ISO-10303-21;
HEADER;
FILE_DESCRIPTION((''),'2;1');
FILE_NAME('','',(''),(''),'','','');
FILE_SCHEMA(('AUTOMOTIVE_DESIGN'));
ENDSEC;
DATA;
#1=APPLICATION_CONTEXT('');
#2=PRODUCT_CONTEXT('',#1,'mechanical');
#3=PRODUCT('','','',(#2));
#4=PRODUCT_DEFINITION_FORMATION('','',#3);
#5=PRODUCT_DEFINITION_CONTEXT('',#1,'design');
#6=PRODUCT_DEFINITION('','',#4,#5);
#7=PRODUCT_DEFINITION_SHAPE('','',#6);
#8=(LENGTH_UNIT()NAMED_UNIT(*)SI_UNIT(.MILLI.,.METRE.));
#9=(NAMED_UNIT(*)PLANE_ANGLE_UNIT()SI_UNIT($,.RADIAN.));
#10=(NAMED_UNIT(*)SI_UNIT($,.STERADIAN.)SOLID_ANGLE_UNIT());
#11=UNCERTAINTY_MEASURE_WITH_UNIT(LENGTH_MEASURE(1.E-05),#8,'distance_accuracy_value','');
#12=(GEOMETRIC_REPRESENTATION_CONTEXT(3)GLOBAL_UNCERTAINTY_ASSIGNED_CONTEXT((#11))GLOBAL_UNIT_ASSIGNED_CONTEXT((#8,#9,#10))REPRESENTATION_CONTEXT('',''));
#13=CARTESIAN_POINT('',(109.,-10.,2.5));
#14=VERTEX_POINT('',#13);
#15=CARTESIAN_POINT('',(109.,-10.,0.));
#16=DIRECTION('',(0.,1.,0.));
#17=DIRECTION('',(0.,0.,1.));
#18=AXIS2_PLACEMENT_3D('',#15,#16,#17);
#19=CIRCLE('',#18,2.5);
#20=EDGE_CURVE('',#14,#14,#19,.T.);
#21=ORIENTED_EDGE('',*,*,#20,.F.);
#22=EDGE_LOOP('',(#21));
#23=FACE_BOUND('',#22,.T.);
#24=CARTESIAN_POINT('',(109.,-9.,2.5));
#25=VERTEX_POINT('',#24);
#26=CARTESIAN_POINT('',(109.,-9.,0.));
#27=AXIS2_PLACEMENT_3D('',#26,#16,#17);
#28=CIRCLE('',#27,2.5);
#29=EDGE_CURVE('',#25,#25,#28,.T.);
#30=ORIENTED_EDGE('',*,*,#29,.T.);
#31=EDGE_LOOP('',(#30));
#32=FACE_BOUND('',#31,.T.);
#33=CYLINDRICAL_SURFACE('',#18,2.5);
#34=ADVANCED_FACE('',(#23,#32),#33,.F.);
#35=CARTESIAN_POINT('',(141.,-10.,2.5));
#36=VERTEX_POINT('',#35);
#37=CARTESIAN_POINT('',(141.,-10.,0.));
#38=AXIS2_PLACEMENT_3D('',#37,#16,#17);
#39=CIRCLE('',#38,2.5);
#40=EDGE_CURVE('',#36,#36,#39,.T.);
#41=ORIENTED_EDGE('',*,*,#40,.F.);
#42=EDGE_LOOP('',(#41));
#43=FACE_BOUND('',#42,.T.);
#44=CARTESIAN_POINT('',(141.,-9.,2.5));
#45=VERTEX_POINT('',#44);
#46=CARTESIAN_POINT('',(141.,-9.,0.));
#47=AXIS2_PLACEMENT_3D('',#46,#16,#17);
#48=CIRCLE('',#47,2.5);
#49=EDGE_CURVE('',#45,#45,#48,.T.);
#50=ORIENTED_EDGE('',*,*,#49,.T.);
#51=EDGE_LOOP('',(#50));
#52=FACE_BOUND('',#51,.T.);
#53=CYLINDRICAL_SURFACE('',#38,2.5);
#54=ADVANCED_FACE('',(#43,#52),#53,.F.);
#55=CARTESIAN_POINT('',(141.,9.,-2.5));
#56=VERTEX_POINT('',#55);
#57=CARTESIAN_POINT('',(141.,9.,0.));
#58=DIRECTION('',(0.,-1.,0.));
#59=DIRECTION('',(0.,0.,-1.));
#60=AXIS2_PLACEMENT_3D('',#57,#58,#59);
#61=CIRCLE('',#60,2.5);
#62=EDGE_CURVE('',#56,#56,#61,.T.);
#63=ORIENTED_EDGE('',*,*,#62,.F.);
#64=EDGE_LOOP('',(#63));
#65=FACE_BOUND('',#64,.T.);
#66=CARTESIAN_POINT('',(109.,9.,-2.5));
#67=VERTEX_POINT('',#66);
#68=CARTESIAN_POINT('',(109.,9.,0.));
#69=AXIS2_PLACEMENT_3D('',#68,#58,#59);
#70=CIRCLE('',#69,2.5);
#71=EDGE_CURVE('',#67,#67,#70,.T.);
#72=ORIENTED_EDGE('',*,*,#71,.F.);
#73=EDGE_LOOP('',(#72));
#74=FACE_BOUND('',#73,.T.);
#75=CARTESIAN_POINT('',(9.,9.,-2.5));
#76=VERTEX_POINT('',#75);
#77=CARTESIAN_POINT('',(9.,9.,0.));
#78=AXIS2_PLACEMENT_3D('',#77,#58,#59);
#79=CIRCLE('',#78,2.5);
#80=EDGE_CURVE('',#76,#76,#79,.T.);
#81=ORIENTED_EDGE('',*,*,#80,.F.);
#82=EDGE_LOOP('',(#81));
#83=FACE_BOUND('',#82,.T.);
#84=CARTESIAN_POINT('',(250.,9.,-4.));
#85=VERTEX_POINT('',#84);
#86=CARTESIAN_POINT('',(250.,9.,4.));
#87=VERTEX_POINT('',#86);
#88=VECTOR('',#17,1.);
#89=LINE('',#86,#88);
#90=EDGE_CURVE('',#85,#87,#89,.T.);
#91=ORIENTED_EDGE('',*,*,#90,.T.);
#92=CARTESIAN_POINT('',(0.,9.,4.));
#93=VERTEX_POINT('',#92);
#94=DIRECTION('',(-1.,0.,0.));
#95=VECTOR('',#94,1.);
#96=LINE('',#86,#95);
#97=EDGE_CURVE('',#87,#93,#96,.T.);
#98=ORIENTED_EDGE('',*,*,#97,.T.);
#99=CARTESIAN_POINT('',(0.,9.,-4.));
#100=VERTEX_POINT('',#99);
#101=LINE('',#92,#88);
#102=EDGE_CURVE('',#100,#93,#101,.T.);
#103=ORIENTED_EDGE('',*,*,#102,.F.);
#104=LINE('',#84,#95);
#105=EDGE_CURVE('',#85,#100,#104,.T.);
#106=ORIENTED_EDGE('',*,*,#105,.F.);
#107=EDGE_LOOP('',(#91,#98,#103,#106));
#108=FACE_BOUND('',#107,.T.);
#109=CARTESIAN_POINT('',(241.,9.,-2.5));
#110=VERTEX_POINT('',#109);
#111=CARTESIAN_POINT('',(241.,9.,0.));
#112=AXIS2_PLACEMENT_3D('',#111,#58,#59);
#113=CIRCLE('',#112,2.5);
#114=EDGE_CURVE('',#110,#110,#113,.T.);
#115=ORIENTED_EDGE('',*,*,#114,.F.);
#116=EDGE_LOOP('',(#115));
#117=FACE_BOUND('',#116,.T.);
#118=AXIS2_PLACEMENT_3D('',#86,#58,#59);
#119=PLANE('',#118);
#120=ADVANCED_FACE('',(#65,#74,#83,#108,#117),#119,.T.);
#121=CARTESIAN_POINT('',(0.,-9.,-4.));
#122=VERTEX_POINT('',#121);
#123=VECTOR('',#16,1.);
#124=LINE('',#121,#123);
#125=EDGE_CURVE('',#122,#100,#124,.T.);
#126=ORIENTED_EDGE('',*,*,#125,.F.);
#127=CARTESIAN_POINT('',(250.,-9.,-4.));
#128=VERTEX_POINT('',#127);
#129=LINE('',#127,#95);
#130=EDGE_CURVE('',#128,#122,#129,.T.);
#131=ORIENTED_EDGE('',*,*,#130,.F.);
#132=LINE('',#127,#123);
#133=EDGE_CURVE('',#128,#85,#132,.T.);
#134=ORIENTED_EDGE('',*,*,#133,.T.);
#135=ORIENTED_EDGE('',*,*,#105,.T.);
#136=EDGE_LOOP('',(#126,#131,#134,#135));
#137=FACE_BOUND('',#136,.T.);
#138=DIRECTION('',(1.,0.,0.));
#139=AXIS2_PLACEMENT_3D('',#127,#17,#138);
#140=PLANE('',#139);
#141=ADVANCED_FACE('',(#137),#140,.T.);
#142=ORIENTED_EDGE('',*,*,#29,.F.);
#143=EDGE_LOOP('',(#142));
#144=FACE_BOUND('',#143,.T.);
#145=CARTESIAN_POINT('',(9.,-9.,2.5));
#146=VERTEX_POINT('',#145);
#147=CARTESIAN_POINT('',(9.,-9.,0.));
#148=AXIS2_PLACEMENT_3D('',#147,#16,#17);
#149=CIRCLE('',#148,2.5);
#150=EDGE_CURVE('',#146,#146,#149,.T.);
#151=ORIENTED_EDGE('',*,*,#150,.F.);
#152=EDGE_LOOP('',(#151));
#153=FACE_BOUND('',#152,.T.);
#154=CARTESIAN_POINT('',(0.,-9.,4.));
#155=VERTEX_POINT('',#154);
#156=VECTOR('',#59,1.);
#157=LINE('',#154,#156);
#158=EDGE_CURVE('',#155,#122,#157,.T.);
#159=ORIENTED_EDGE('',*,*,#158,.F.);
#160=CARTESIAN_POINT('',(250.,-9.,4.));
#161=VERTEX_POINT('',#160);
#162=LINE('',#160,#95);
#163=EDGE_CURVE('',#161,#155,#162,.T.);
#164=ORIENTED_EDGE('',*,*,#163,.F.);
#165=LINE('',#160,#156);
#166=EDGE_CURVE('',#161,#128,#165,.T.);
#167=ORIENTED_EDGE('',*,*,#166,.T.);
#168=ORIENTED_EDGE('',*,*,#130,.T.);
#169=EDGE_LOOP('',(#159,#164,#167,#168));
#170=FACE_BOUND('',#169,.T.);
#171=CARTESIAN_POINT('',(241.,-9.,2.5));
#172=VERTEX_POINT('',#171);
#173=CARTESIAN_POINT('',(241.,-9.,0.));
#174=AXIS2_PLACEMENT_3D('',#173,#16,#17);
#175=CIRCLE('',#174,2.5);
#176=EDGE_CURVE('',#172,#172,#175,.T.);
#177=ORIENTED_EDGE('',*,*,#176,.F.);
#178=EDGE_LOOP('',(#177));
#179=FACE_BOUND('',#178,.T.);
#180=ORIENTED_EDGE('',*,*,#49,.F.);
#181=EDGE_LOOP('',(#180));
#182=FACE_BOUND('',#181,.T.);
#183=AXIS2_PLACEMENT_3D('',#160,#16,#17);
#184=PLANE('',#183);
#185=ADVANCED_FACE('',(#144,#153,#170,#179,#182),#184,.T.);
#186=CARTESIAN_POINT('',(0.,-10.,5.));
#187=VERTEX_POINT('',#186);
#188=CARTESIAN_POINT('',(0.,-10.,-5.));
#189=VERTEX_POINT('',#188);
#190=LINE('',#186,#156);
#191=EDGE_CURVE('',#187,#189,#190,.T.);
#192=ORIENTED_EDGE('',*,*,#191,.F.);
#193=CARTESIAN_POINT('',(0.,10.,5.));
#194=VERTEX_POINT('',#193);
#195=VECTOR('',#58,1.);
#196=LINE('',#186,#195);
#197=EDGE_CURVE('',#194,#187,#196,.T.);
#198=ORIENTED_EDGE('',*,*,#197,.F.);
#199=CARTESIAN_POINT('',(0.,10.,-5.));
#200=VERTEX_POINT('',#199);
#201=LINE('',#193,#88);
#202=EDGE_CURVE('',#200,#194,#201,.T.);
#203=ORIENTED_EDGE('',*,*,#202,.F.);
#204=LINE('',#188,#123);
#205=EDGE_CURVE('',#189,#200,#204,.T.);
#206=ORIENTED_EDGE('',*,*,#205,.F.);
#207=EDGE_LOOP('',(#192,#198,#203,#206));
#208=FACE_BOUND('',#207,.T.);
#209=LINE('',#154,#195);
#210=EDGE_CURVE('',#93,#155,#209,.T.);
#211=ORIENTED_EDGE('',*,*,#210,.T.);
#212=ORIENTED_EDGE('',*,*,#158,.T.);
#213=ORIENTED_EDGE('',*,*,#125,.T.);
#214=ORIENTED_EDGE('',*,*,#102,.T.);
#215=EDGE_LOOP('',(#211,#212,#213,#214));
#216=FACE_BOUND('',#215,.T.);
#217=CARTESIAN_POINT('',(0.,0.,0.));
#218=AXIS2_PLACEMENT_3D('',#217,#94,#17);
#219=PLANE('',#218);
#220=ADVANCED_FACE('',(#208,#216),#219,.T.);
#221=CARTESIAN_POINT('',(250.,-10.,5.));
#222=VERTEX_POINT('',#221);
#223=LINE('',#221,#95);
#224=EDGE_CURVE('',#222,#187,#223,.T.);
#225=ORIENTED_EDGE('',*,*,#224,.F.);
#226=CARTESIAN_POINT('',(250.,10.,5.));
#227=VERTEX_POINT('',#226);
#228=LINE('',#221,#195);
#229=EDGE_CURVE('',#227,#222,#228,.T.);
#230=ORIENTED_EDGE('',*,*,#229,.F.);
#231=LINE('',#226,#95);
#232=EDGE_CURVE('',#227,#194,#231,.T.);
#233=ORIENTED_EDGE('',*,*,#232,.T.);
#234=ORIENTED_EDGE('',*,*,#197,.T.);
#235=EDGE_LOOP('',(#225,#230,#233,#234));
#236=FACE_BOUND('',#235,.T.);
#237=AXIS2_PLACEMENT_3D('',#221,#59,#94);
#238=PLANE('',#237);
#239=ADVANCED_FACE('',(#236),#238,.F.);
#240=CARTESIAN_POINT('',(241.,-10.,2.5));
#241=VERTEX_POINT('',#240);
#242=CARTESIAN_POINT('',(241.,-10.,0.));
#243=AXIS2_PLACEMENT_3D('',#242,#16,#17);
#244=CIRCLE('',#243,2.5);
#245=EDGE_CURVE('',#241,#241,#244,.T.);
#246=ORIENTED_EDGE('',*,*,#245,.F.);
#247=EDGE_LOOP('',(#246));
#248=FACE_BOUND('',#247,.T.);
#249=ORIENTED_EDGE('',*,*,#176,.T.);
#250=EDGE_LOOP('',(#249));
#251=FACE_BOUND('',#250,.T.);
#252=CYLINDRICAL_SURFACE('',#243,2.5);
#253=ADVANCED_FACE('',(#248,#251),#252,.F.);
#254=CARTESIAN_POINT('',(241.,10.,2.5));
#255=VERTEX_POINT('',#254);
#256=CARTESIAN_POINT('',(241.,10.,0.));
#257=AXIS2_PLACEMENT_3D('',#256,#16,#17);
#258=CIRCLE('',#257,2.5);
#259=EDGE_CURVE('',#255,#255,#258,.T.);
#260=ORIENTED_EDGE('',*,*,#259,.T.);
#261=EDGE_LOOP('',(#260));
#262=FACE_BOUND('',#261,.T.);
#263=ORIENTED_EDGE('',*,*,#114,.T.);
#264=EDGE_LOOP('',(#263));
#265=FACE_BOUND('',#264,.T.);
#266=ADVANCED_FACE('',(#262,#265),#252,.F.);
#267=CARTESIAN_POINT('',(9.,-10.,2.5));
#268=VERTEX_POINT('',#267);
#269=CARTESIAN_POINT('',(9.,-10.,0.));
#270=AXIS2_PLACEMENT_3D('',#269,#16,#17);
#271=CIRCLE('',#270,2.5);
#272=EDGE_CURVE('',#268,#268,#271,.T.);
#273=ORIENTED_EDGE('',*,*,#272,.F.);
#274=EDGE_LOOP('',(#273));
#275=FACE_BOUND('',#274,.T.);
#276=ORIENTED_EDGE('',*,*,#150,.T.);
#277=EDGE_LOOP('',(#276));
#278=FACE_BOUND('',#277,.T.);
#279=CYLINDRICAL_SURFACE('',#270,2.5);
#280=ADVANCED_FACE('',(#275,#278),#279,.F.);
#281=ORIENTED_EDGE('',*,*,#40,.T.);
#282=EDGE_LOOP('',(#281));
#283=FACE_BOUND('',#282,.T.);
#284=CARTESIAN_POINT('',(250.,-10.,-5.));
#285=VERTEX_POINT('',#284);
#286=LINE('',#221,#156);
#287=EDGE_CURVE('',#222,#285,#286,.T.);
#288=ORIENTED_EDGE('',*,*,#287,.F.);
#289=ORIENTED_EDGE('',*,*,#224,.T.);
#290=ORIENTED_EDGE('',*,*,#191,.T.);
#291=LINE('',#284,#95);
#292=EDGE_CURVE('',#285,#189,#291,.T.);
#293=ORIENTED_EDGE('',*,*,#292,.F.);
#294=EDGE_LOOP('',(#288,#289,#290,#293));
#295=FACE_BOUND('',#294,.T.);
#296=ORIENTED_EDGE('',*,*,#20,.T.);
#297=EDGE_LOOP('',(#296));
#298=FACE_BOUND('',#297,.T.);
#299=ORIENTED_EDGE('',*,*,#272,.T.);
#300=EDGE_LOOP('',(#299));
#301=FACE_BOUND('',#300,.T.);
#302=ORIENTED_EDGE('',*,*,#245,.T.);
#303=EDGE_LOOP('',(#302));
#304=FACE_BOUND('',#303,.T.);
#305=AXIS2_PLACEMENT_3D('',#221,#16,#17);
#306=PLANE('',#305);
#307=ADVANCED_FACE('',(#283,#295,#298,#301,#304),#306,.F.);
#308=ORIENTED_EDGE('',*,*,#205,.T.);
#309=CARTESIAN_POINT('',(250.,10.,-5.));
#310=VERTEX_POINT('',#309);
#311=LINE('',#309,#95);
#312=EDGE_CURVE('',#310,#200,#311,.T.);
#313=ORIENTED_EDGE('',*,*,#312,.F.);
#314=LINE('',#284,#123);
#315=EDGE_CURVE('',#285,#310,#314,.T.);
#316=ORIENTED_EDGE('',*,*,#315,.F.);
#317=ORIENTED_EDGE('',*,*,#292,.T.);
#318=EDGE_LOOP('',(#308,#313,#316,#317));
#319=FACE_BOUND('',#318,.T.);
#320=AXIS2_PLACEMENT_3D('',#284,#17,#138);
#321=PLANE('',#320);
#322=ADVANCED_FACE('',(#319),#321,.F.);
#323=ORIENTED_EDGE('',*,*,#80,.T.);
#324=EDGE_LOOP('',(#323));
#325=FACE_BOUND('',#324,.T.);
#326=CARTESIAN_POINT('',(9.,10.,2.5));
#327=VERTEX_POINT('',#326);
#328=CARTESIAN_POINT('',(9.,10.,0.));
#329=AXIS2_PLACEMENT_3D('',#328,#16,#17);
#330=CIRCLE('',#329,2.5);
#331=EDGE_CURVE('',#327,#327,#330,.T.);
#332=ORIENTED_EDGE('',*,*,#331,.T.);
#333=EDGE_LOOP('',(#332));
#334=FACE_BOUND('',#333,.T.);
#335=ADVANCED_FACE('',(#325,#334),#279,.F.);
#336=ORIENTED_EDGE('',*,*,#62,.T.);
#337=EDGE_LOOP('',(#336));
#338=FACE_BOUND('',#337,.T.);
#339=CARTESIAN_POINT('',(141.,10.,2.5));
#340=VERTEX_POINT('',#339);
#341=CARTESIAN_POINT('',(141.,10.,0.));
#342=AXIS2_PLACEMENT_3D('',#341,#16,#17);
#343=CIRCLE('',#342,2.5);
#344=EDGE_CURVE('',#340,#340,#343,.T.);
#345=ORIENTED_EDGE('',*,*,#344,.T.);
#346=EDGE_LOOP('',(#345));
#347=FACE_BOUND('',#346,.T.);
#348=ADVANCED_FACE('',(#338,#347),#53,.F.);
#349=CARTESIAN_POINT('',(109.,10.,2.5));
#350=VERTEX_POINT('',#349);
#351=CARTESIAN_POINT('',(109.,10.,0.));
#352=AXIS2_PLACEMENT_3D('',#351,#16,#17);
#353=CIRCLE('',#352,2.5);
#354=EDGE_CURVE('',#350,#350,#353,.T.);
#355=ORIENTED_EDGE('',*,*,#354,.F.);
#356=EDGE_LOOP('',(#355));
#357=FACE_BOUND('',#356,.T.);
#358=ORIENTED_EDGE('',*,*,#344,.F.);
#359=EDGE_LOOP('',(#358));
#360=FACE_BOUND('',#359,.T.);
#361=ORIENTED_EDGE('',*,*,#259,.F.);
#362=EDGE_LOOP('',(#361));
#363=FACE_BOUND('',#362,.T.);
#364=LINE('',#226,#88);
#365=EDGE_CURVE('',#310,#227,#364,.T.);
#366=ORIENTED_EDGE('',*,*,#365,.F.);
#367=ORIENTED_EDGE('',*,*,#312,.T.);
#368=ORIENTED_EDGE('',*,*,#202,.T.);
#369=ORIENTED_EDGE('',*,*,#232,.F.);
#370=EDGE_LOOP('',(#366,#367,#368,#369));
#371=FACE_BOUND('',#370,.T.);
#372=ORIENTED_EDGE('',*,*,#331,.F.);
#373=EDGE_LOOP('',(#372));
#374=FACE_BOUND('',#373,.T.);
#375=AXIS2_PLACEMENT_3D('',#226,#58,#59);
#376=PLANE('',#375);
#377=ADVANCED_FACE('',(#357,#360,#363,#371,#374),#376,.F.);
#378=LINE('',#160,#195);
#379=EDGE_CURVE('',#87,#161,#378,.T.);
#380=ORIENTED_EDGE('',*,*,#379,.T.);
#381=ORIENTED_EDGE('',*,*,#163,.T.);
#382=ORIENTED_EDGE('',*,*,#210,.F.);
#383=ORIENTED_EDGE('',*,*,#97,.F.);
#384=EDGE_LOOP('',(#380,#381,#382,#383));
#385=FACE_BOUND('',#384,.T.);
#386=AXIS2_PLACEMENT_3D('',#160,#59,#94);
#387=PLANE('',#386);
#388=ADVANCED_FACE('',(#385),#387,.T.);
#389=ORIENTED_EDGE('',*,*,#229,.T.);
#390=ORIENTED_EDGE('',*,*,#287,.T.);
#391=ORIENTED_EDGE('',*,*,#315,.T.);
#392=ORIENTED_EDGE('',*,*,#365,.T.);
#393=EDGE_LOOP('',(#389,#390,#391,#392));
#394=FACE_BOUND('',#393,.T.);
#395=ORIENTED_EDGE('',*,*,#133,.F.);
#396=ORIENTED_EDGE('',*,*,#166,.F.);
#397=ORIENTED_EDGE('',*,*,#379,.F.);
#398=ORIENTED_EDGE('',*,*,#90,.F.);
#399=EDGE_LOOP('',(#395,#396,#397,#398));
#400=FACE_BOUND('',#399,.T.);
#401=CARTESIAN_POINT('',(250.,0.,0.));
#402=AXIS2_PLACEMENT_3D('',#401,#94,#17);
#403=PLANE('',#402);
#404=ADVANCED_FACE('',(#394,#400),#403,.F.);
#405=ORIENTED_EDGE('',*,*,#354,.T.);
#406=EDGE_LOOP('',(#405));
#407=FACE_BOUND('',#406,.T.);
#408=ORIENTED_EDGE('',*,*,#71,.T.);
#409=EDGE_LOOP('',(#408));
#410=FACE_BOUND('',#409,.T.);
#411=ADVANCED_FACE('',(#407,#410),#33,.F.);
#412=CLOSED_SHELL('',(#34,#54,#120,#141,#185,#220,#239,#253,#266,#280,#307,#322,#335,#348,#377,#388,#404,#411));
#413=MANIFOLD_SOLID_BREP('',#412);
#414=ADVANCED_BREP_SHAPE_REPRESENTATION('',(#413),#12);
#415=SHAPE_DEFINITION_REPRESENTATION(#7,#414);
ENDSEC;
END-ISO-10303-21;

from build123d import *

# Parameters (mm, degrees)
SKETCH1_W           = 10
SKETCH1_H           = 20
SKETCH1_W_2         = 8
SKETCH1_H_2         = 18
BOSS_EXTRUDE1_DEPTH = 250
SKETCH2_R           = 2.5
CUT_EXTRUDE1_DEPTH  = 20
SKETCH3_R           = 2.5
CUT_EXTRUDE2_DEPTH  = 20


with BuildPart() as part:
    # Sketch1 → Boss-Extrude1 (new body)
    with BuildSketch(Plane(origin=(0, 0, 0), x_dir=(0, 0, -1), z_dir=(1, 0, 0))):
        Rectangle(SKETCH1_W, SKETCH1_H)
        Rectangle(SKETCH1_W_2, SKETCH1_H_2, mode=Mode.SUBTRACT)
    extrude(amount=BOSS_EXTRUDE1_DEPTH)

    # Sketch2 → Cut-Extrude1 (cut)
    with BuildSketch(Plane(origin=(0, 10, 0), x_dir=(1, 0, 0), z_dir=(0, 1, 0))):
        with Locations(Location((241, 0, 0), (0, 0, 270))):
            Circle(SKETCH2_R)
        with Locations(Location((9, 0, 0), (0, 0, 270))):
            Circle(SKETCH2_R)
    extrude(amount=-CUT_EXTRUDE1_DEPTH, mode=Mode.SUBTRACT)

    # Sketch3 → Cut-Extrude2 (cut)
    with BuildSketch(Plane(origin=(0, 10, 0), x_dir=(1, 0, 0), z_dir=(0, 1, 0))):
        with Locations(Location((109, 0, 0), (0, 0, 270))):
            Circle(SKETCH3_R)
        with Locations(Location((141, 0, 0), (0, 0, 270))):
            Circle(SKETCH3_R)
    extrude(amount=-CUT_EXTRUDE2_DEPTH, mode=Mode.SUBTRACT)


solid = part.part
